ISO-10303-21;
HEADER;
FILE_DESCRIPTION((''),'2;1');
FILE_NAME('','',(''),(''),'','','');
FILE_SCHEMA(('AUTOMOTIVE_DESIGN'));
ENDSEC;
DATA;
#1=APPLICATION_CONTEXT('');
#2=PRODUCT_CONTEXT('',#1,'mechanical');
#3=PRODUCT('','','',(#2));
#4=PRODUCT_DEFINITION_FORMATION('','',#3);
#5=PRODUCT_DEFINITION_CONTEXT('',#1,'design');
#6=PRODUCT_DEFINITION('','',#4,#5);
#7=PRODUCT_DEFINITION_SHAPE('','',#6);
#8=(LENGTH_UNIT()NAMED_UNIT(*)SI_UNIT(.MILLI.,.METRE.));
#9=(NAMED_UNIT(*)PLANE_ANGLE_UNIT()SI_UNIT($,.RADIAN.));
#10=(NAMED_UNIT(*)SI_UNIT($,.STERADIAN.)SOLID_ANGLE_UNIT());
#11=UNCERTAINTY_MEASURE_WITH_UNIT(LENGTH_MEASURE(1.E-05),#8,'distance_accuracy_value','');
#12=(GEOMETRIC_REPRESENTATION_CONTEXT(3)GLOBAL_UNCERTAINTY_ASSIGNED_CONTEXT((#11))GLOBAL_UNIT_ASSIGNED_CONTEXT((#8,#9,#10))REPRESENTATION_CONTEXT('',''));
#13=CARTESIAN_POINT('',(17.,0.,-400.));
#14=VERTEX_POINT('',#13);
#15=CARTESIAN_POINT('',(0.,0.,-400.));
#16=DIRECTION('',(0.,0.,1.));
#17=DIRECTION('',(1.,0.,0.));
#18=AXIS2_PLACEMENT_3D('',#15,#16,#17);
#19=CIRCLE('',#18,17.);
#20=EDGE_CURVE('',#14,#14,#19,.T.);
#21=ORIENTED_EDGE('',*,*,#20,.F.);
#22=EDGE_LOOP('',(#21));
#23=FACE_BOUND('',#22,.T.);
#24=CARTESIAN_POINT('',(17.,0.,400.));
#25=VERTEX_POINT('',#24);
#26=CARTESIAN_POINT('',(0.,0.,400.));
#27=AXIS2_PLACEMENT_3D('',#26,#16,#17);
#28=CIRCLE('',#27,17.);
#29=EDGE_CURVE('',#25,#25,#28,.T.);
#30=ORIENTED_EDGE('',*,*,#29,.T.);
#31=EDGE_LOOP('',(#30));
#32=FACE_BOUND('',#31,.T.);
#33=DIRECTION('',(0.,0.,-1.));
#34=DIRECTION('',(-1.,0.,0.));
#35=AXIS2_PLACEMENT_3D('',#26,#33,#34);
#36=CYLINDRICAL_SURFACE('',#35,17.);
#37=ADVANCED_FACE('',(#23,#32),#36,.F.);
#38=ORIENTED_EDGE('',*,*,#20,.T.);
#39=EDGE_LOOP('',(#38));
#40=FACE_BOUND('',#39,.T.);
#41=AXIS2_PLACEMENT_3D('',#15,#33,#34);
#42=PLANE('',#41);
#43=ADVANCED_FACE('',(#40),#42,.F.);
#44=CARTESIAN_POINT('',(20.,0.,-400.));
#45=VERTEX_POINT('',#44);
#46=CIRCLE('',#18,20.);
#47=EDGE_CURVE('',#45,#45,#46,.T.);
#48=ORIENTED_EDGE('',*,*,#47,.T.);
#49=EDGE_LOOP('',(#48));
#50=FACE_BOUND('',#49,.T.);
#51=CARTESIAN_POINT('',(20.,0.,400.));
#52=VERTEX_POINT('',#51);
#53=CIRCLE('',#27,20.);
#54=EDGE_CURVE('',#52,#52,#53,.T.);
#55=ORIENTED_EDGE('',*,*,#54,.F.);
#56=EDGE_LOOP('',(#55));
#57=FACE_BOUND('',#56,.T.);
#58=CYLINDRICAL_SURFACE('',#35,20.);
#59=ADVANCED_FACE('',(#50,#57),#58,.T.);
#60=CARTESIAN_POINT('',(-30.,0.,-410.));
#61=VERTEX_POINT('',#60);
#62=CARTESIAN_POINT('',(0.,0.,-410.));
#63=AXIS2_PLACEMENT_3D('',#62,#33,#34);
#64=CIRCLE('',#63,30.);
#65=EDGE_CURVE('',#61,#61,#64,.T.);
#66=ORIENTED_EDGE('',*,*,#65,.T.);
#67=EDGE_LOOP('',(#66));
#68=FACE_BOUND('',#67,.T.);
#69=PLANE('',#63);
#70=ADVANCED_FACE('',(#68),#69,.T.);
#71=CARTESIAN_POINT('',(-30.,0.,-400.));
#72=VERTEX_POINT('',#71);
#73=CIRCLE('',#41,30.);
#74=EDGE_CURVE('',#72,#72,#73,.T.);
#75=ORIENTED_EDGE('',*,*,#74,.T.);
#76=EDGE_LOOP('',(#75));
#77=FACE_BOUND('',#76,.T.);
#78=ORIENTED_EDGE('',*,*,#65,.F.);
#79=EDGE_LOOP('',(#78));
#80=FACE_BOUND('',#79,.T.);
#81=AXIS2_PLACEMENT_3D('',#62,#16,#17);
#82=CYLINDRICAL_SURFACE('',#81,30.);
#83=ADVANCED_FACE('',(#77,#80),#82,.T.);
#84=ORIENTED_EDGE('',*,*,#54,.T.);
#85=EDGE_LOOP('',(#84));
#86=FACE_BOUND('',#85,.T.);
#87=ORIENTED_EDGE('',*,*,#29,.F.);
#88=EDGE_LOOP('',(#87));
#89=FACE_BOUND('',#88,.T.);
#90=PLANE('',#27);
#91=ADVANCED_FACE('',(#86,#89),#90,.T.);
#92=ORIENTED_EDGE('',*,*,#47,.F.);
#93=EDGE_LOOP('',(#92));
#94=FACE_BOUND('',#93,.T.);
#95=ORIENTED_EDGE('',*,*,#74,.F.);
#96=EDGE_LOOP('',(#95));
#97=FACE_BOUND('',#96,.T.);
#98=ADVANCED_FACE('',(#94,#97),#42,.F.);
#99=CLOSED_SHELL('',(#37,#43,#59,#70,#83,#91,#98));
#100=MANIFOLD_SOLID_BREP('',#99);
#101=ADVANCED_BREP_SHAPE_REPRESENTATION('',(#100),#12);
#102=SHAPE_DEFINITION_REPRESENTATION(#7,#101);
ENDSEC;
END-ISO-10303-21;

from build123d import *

# Parameters (mm, degrees)
BOSS_EXTRUDE1_DEPTH      = 400
BOSS_EXTRUDE1_DEPTH_BACK = 400
SKETCH3_R                = 20
SKETCH3_R_2              = 17
SKETCH7_R                = 30
BOSS_EXTRUDE4_DEPTH      = 10


with BuildPart() as part:
    # Sketch3 → Boss-Extrude1 (new, two sides: drawn at the far end of the back side and taken through both)
    with BuildSketch(Plane.XY.offset(-BOSS_EXTRUDE1_DEPTH_BACK)):
        Circle(SKETCH3_R)
        Circle(SKETCH3_R_2, mode=Mode.SUBTRACT)
    extrude(amount=BOSS_EXTRUDE1_DEPTH + BOSS_EXTRUDE1_DEPTH_BACK)

    # Sketch7 → Boss-Extrude4 (add)
    with BuildSketch(Plane(origin=(0, 0, -400), x_dir=(-1, 0, 0), z_dir=(0, 0, -1))):
        Circle(SKETCH7_R)
    extrude(amount=BOSS_EXTRUDE4_DEPTH)


solid = part.part
